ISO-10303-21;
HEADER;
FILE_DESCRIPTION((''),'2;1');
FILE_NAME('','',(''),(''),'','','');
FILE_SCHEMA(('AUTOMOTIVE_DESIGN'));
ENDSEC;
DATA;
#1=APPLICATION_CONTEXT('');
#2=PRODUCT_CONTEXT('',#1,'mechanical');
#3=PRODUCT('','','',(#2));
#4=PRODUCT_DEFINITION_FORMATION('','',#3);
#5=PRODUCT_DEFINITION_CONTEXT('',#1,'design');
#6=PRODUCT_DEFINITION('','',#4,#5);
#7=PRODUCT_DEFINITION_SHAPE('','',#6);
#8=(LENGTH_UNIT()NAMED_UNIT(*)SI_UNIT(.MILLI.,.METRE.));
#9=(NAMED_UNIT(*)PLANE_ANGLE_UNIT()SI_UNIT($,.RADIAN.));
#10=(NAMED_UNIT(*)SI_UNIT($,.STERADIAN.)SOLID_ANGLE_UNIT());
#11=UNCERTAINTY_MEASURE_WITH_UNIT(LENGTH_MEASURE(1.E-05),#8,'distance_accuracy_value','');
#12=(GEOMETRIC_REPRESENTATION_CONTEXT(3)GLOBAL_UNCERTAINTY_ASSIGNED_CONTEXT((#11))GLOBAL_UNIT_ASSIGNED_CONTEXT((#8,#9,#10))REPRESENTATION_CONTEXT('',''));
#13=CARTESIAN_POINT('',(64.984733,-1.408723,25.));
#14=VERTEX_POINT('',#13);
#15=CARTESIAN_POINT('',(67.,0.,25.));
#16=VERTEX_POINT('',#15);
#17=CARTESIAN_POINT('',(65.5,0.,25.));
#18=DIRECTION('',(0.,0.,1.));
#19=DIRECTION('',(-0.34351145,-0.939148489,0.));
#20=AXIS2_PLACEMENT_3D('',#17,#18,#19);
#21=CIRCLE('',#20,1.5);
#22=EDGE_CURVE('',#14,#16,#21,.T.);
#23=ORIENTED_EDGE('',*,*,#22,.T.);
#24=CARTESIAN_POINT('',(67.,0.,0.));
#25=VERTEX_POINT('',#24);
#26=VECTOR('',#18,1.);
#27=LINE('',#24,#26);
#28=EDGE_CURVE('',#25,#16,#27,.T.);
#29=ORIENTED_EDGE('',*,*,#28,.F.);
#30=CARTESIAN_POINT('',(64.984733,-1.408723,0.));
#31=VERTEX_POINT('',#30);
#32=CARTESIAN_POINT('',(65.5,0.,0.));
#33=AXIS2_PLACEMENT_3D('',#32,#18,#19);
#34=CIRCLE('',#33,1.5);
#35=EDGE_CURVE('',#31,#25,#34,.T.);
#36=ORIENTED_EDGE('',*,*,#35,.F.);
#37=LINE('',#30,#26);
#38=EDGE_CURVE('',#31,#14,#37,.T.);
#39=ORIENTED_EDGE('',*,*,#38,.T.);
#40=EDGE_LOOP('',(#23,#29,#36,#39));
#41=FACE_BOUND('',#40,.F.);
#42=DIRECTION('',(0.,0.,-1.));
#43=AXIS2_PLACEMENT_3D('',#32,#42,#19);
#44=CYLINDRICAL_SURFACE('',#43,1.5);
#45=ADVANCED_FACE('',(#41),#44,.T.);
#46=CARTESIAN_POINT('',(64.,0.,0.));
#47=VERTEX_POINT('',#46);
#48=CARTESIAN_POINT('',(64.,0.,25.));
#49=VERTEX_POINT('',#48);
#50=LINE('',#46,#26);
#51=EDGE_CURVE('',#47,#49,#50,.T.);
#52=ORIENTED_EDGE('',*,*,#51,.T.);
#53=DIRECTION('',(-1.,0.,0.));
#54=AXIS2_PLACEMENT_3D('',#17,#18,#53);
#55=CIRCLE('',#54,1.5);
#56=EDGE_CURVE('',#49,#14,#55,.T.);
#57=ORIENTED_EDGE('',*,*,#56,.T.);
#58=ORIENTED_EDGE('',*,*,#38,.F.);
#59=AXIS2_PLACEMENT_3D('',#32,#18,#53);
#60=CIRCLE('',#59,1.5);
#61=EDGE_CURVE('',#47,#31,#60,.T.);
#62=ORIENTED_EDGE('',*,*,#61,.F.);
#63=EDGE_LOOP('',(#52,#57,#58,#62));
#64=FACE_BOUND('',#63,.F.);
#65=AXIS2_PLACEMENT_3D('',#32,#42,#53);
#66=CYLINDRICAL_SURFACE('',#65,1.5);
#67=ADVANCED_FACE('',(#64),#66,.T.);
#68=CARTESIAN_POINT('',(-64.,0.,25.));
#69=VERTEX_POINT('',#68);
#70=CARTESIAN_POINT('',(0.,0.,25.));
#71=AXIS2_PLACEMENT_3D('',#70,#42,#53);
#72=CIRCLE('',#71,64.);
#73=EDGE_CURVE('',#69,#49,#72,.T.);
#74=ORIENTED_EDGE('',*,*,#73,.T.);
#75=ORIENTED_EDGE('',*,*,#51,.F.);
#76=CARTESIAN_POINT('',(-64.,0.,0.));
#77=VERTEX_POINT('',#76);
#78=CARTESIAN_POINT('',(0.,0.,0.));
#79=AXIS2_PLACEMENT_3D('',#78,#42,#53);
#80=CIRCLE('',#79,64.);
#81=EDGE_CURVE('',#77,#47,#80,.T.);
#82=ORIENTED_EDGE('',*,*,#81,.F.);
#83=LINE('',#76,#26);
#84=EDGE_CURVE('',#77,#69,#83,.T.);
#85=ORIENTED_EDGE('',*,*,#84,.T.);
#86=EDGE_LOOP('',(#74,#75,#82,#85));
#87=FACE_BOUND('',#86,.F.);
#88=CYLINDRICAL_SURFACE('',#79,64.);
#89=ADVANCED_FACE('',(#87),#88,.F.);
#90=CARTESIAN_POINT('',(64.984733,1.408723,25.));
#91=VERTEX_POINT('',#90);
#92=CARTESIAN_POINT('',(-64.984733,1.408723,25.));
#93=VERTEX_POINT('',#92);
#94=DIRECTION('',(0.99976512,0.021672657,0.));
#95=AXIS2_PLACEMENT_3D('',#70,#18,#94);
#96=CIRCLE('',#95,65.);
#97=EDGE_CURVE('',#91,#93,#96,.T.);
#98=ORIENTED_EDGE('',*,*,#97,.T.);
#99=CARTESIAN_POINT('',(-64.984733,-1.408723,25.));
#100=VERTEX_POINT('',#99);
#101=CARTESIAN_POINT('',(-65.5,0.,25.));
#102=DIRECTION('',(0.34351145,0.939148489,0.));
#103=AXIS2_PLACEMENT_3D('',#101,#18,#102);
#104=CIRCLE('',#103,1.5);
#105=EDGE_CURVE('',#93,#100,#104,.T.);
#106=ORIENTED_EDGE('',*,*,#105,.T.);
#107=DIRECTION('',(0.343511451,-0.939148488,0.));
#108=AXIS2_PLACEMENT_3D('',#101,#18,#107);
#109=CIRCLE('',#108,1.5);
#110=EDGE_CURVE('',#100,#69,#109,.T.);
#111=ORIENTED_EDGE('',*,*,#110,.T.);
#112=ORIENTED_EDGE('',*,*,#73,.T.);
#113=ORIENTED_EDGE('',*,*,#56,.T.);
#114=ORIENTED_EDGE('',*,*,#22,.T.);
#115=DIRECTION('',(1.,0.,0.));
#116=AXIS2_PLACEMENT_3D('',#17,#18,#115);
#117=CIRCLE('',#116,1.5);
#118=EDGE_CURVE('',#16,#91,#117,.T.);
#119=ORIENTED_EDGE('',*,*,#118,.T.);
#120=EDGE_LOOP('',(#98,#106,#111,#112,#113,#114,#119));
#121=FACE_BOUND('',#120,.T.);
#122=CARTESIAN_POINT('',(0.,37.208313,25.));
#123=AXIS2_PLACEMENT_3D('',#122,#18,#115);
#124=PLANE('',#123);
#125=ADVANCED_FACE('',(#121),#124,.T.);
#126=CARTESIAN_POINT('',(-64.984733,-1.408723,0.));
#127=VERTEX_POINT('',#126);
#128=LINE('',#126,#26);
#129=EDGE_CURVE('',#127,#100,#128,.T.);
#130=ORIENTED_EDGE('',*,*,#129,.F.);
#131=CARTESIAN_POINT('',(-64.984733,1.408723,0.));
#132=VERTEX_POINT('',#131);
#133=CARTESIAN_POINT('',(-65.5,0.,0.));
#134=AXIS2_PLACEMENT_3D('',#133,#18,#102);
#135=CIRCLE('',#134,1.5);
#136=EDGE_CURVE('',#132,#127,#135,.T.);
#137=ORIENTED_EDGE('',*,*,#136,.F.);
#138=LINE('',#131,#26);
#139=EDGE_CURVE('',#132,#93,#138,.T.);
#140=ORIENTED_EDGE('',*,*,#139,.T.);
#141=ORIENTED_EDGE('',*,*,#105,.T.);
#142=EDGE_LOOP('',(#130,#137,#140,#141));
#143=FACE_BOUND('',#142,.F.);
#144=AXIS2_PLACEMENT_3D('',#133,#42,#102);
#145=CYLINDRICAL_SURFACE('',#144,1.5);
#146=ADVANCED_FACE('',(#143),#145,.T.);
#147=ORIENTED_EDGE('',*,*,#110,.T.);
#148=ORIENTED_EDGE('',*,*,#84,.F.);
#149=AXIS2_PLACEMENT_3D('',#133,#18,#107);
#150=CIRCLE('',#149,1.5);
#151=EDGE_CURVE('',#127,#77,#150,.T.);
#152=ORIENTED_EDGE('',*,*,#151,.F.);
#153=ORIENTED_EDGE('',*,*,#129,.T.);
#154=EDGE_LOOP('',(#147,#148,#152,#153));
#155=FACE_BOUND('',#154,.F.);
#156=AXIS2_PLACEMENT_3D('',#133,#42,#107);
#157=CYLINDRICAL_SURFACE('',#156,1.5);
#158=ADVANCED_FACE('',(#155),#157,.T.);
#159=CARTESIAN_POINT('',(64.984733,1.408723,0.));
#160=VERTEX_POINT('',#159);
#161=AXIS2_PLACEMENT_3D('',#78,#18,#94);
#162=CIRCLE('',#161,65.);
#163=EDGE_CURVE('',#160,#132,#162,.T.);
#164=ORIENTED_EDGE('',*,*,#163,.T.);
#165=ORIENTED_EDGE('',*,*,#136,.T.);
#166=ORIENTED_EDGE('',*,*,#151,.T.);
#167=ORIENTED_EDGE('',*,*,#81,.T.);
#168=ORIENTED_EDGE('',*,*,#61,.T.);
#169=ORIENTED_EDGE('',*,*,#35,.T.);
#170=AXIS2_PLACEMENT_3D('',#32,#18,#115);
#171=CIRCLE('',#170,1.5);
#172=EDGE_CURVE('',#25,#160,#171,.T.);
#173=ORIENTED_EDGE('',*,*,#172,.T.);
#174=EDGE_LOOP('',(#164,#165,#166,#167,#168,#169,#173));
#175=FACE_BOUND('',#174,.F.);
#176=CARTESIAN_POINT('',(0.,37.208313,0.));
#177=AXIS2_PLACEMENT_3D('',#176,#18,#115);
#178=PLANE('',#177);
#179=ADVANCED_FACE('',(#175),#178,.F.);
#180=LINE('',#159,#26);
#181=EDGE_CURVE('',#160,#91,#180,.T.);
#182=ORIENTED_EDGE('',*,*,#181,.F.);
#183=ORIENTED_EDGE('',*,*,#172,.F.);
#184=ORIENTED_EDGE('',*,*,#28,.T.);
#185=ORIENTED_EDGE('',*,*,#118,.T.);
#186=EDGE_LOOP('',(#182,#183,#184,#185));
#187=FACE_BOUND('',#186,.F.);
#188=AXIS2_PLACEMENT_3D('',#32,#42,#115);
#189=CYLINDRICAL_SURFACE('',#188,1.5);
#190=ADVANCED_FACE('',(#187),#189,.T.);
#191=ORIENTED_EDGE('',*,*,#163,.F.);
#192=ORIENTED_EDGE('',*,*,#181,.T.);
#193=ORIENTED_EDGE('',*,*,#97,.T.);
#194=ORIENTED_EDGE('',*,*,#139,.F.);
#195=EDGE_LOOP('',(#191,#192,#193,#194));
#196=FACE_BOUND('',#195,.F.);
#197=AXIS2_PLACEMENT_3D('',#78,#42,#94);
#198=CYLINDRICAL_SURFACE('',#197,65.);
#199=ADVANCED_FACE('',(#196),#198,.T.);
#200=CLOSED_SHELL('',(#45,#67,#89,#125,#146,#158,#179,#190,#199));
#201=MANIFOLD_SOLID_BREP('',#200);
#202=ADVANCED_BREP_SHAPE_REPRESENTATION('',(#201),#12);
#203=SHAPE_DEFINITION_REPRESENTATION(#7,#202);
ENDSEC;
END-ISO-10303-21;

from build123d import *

# Parameters (mm, degrees)
F1_DEPTH = 25


with BuildPart() as f1:
    # F0 (on Top) → F1 (new body)
    with BuildSketch(Plane.XY):
        with BuildLine():
            ThreePointArc((64, 0), (64.270589417, 0.859389096), (64.9847328244, 1.4087227328))
            ThreePointArc((64.9847328244, 1.4087227328), (0, 65), (-64.9847328244, 1.4087227328))
            ThreePointArc((-64.9847328244, 1.4087227328), (-64.270589417, 0.859389096), (-64, 0))
            ThreePointArc((-64, 0), (0, 64), (64, 0))
        make_face()
        with BuildLine():
            ThreePointArc((-64, 0), (-64.270589417, 0.859389096), (-64.9847328244, 1.4087227328))
            ThreePointArc((-64.9847328244, 1.4087227328), (-65, 0), (-64.9847328244, -1.4087227328))
            ThreePointArc((-64.9847328244, -1.4087227328), (-64.270589417, -0.859389096), (-64, 0))
        make_face()
        with BuildLine():
            ThreePointArc((-64.9847328244, -1.4087227328), (-65, 0), (-64.9847328244, 1.4087227328))
            ThreePointArc((-64.9847328244, 1.4087227328), (-67, 0), (-64.9847328244, -1.4087227328))
        make_face()
        with BuildLine():
            ThreePointArc((64.9847328244, 1.4087227328), (64.996183094, 0.7044027301), (65, 0))
            ThreePointArc((65, 0), (64.996183094, -0.7044027301), (64.9847328244, -1.4087227328))
            ThreePointArc((64.9847328244, -1.4087227328), (66.359389096, -1.229410583), (67, 0))
            ThreePointArc((67, 0), (66.359389096, 1.229410583), (64.9847328244, 1.4087227328))
        make_face()
        with BuildLine():
            ThreePointArc((64.9847328244, -1.4087227328), (64.996183094, -0.7044027301), (65, 0))
            ThreePointArc((65, 0), (64.996183094, 0.7044027301), (64.9847328244, 1.4087227328))
            ThreePointArc((64.9847328244, 1.4087227328), (64.270589417, 0.859389096), (64, 0))
            ThreePointArc((64, 0), (64.270589417, -0.859389096), (64.9847328244, -1.4087227328))
        make_face()
    extrude(amount=F1_DEPTH)


solid = f1.part
